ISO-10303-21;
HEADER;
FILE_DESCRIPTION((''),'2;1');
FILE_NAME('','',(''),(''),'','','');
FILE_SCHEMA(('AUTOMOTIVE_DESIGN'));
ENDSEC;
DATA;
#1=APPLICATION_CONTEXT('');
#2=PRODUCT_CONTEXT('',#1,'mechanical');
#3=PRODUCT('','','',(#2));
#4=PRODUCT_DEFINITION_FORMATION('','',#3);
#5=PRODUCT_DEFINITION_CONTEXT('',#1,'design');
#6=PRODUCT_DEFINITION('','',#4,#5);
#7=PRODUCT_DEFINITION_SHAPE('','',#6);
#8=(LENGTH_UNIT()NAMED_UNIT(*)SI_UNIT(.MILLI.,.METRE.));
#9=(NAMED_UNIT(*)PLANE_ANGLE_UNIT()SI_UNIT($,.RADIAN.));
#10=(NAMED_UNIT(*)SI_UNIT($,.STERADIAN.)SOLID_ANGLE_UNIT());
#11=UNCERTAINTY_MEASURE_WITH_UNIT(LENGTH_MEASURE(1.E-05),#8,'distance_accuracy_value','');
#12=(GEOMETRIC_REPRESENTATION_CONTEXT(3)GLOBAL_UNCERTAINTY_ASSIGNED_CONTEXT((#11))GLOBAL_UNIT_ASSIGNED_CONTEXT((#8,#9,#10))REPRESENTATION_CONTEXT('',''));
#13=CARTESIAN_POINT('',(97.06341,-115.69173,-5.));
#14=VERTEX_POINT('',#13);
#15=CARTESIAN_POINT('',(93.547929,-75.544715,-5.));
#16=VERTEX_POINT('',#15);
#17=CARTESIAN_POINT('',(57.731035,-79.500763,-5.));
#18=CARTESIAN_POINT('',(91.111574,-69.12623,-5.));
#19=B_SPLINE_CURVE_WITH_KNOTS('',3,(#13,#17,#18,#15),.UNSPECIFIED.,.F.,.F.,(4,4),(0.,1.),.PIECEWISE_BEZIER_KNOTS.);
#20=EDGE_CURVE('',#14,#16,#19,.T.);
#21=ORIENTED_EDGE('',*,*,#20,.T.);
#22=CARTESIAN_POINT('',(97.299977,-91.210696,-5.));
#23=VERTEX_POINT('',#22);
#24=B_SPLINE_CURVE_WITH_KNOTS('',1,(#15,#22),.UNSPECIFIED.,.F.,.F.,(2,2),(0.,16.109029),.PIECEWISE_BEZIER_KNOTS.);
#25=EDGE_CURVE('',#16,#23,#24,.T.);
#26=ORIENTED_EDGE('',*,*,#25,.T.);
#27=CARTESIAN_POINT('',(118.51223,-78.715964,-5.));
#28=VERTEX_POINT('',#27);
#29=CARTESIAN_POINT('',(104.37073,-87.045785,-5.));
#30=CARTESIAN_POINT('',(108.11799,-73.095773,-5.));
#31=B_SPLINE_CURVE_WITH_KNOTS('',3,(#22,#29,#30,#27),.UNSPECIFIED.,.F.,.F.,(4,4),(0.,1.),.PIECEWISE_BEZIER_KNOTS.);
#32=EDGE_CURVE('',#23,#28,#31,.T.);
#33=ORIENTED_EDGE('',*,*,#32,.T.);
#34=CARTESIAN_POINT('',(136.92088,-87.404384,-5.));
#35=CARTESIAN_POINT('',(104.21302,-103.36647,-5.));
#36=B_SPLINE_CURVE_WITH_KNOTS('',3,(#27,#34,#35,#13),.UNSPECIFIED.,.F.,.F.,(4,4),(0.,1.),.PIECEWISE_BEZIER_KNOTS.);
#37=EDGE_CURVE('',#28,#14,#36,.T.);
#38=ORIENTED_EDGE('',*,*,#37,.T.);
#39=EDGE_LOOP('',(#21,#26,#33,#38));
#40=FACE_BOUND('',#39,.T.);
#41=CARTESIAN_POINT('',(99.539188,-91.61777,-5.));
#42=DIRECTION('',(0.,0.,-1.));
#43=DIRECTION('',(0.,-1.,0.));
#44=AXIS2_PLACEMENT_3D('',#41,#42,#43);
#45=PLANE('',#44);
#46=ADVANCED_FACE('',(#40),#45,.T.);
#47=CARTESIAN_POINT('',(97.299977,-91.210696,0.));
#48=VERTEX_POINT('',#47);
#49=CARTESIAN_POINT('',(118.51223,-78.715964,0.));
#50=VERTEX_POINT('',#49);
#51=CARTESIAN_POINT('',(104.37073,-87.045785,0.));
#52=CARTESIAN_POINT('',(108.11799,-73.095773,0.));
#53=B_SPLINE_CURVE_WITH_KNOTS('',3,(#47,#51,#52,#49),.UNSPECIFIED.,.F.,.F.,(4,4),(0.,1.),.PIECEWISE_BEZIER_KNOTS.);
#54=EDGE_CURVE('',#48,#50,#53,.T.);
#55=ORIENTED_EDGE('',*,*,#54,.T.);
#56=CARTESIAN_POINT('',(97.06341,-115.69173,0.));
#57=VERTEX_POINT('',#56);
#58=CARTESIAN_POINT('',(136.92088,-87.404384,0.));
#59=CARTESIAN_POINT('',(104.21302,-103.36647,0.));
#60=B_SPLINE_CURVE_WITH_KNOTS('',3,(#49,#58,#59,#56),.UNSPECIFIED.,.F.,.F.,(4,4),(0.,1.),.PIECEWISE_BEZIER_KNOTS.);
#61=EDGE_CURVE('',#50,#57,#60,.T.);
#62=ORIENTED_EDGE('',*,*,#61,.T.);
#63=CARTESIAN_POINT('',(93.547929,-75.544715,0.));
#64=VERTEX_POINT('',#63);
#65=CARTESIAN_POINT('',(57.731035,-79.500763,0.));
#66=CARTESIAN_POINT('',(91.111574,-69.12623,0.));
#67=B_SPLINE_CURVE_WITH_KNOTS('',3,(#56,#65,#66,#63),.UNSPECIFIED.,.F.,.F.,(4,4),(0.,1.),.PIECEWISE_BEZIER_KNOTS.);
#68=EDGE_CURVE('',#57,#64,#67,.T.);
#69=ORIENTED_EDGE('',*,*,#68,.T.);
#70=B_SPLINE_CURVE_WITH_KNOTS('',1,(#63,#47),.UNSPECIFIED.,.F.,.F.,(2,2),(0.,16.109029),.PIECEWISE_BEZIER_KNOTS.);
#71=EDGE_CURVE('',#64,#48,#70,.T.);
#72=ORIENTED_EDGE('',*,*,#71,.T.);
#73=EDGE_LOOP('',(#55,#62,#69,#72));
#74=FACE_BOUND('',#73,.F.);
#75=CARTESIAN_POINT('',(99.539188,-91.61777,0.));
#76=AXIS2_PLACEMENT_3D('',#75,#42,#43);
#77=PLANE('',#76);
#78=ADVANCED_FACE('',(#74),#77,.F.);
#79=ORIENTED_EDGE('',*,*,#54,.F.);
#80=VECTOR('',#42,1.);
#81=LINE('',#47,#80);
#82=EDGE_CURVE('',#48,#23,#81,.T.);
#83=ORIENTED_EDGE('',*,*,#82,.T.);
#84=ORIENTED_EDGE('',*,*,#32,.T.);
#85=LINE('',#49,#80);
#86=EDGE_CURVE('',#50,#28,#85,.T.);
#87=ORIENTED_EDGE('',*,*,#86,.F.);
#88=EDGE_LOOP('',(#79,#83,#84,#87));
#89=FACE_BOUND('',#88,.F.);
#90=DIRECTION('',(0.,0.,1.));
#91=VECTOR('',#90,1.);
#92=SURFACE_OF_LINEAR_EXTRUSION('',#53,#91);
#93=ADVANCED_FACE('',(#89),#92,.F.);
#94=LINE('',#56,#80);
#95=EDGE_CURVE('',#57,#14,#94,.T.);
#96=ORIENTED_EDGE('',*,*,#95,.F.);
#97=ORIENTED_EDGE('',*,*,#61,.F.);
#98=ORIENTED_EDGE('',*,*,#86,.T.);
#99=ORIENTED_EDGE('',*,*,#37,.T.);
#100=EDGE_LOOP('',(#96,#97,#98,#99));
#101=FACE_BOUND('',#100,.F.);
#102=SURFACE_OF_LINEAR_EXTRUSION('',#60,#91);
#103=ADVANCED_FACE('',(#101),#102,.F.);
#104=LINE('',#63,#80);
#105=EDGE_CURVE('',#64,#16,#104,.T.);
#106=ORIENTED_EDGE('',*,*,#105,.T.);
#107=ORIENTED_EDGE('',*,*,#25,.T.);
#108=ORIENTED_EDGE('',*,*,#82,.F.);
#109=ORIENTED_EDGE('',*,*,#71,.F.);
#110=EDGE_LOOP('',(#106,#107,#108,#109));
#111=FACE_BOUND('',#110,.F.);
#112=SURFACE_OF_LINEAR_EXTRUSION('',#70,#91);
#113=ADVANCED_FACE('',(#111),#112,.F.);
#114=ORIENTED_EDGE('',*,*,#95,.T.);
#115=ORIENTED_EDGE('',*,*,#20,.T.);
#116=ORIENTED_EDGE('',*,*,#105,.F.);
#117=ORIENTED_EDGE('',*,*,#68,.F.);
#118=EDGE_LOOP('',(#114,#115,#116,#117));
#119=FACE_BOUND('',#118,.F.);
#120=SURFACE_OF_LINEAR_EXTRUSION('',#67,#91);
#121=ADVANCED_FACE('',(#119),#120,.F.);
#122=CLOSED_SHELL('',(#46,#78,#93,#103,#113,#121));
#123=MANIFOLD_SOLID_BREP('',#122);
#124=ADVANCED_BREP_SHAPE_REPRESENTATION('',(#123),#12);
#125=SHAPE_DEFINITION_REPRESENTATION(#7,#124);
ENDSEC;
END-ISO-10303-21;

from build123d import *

# Parameters (mm, degrees)
CYLINDER_R     = 2
CYLINDER_DEPTH = 10
EXTRUDE_DEPTH  = 5


with BuildPart() as cylinder:
    # Cylinder → Cylinder (new body)
    with BuildSketch(Plane(origin=(116, -84, 0), x_dir=(1, 0, 0), z_dir=(0, 0, 1))):
        Circle(CYLINDER_R)
    extrude(amount=CYLINDER_DEPTH)


with BuildPart() as cut:
    # path1 → Extrude (new body)
    with BuildSketch(Plane(origin=(99.607537, -92.40898, 0), x_dir=(0, -1, 0), z_dir=(0, 0, -1))):
        with BuildLine():
            add(Edge.make_bspline(
                [(23.28275, 2.544127), (-12.908217, 41.876502), (-23.28275, 8.495963), (-16.864265, 6.059608)],
                knots=[0, 0, 0, 0, 1, 1, 1, 1], degree=3))
            add(Edge.make_bspline(
                [(-16.864265, 6.059608), (-1.198284, 2.30756)],
                knots=[0, 0, 16.109029, 16.109029], degree=1))
            add(Edge.make_bspline(
                [(-1.198284, 2.30756), (-5.363195, -4.763193), (-19.313207, -8.510453), (-13.693016, -18.904693)],
                knots=[0, 0, 0, 0, 1, 1, 1, 1], degree=3))
            add(Edge.make_bspline(
                [(-13.693016, -18.904693), (-5.004596, -37.313343), (10.95749, -4.605483), (23.28275, 2.544127)],
                knots=[0, 0, 0, 0, 1, 1, 1, 1], degree=3))
        make_face()
    extrude(amount=EXTRUDE_DEPTH)

    # Cut: cut Cylinder
    add(cylinder.part, mode=Mode.SUBTRACT)


solid = cut.part
